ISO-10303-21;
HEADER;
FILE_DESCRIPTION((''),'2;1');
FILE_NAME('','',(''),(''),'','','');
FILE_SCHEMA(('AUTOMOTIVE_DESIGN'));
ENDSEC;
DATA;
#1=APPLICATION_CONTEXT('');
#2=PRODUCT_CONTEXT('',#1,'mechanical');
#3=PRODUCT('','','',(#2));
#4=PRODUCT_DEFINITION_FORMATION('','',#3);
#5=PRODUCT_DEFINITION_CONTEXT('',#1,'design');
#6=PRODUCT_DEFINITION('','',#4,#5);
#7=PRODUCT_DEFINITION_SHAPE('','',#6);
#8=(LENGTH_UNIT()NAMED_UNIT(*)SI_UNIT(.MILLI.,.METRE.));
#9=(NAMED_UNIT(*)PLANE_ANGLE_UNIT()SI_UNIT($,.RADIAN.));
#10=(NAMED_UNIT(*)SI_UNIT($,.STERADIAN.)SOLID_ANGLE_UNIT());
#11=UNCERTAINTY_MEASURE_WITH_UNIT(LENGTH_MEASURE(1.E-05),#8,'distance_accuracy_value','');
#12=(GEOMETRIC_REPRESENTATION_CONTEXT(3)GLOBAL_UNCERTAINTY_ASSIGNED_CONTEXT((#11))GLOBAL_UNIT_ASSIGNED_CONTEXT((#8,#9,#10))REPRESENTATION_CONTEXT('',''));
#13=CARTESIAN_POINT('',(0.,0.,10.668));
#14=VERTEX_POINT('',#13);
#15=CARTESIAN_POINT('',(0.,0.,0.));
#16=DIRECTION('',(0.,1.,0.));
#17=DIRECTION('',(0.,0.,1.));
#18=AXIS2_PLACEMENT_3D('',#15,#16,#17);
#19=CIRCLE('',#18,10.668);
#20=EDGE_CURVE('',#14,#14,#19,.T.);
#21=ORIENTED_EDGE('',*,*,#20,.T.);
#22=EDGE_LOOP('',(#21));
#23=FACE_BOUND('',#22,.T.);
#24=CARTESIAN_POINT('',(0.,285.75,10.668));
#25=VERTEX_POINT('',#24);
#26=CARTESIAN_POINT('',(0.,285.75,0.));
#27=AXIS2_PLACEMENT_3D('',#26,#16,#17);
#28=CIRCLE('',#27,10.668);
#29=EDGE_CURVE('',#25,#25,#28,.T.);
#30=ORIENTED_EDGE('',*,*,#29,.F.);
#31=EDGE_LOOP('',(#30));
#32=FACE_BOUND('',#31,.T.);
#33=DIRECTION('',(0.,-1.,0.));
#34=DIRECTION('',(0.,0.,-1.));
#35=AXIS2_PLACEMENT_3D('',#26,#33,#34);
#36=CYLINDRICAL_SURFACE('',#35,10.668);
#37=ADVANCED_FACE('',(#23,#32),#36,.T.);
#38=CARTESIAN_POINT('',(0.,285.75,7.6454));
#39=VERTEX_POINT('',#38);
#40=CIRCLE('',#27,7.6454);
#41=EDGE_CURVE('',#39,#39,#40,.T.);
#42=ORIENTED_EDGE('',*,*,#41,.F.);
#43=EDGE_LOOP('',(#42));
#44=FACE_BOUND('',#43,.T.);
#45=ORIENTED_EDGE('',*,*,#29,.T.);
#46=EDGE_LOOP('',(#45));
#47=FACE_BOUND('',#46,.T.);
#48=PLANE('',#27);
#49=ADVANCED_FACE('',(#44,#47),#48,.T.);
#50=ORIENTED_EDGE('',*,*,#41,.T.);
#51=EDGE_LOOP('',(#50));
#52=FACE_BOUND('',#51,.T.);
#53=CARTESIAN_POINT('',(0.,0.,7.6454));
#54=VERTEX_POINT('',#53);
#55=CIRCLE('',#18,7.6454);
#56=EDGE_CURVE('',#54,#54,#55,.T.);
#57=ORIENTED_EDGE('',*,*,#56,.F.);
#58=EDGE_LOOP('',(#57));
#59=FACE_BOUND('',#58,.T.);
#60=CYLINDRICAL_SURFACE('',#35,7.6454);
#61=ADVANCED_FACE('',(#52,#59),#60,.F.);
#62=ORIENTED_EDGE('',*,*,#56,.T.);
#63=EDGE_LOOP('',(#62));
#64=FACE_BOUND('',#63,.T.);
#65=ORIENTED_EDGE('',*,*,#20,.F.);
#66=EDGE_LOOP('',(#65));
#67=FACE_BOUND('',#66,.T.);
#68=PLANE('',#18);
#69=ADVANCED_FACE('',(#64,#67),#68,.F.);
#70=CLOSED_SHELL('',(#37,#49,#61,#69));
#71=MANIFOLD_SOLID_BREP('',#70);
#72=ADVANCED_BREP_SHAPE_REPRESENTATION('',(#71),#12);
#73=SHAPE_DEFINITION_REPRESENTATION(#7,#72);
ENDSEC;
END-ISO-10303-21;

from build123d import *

# Parameters (mm, degrees)
SKETCH1_R           = 10.668
SKETCH1_R_2         = 7.6454
BOSS_EXTRUDE1_DEPTH = 285.75


with BuildPart() as part:
    # Sketch1 → Boss-Extrude1 (new body)
    with BuildSketch(Plane(origin=(0, 0, 0), x_dir=(1, 0, 0), z_dir=(0, 1, 0))):
        with Locations(Location((0, 0, 0), (0, 0, 270))):
            Circle(SKETCH1_R)
        with Locations(Location((0, 0, 0), (0, 0, 270))):
            Circle(SKETCH1_R_2, mode=Mode.SUBTRACT)
    extrude(amount=BOSS_EXTRUDE1_DEPTH)


solid = part.part
